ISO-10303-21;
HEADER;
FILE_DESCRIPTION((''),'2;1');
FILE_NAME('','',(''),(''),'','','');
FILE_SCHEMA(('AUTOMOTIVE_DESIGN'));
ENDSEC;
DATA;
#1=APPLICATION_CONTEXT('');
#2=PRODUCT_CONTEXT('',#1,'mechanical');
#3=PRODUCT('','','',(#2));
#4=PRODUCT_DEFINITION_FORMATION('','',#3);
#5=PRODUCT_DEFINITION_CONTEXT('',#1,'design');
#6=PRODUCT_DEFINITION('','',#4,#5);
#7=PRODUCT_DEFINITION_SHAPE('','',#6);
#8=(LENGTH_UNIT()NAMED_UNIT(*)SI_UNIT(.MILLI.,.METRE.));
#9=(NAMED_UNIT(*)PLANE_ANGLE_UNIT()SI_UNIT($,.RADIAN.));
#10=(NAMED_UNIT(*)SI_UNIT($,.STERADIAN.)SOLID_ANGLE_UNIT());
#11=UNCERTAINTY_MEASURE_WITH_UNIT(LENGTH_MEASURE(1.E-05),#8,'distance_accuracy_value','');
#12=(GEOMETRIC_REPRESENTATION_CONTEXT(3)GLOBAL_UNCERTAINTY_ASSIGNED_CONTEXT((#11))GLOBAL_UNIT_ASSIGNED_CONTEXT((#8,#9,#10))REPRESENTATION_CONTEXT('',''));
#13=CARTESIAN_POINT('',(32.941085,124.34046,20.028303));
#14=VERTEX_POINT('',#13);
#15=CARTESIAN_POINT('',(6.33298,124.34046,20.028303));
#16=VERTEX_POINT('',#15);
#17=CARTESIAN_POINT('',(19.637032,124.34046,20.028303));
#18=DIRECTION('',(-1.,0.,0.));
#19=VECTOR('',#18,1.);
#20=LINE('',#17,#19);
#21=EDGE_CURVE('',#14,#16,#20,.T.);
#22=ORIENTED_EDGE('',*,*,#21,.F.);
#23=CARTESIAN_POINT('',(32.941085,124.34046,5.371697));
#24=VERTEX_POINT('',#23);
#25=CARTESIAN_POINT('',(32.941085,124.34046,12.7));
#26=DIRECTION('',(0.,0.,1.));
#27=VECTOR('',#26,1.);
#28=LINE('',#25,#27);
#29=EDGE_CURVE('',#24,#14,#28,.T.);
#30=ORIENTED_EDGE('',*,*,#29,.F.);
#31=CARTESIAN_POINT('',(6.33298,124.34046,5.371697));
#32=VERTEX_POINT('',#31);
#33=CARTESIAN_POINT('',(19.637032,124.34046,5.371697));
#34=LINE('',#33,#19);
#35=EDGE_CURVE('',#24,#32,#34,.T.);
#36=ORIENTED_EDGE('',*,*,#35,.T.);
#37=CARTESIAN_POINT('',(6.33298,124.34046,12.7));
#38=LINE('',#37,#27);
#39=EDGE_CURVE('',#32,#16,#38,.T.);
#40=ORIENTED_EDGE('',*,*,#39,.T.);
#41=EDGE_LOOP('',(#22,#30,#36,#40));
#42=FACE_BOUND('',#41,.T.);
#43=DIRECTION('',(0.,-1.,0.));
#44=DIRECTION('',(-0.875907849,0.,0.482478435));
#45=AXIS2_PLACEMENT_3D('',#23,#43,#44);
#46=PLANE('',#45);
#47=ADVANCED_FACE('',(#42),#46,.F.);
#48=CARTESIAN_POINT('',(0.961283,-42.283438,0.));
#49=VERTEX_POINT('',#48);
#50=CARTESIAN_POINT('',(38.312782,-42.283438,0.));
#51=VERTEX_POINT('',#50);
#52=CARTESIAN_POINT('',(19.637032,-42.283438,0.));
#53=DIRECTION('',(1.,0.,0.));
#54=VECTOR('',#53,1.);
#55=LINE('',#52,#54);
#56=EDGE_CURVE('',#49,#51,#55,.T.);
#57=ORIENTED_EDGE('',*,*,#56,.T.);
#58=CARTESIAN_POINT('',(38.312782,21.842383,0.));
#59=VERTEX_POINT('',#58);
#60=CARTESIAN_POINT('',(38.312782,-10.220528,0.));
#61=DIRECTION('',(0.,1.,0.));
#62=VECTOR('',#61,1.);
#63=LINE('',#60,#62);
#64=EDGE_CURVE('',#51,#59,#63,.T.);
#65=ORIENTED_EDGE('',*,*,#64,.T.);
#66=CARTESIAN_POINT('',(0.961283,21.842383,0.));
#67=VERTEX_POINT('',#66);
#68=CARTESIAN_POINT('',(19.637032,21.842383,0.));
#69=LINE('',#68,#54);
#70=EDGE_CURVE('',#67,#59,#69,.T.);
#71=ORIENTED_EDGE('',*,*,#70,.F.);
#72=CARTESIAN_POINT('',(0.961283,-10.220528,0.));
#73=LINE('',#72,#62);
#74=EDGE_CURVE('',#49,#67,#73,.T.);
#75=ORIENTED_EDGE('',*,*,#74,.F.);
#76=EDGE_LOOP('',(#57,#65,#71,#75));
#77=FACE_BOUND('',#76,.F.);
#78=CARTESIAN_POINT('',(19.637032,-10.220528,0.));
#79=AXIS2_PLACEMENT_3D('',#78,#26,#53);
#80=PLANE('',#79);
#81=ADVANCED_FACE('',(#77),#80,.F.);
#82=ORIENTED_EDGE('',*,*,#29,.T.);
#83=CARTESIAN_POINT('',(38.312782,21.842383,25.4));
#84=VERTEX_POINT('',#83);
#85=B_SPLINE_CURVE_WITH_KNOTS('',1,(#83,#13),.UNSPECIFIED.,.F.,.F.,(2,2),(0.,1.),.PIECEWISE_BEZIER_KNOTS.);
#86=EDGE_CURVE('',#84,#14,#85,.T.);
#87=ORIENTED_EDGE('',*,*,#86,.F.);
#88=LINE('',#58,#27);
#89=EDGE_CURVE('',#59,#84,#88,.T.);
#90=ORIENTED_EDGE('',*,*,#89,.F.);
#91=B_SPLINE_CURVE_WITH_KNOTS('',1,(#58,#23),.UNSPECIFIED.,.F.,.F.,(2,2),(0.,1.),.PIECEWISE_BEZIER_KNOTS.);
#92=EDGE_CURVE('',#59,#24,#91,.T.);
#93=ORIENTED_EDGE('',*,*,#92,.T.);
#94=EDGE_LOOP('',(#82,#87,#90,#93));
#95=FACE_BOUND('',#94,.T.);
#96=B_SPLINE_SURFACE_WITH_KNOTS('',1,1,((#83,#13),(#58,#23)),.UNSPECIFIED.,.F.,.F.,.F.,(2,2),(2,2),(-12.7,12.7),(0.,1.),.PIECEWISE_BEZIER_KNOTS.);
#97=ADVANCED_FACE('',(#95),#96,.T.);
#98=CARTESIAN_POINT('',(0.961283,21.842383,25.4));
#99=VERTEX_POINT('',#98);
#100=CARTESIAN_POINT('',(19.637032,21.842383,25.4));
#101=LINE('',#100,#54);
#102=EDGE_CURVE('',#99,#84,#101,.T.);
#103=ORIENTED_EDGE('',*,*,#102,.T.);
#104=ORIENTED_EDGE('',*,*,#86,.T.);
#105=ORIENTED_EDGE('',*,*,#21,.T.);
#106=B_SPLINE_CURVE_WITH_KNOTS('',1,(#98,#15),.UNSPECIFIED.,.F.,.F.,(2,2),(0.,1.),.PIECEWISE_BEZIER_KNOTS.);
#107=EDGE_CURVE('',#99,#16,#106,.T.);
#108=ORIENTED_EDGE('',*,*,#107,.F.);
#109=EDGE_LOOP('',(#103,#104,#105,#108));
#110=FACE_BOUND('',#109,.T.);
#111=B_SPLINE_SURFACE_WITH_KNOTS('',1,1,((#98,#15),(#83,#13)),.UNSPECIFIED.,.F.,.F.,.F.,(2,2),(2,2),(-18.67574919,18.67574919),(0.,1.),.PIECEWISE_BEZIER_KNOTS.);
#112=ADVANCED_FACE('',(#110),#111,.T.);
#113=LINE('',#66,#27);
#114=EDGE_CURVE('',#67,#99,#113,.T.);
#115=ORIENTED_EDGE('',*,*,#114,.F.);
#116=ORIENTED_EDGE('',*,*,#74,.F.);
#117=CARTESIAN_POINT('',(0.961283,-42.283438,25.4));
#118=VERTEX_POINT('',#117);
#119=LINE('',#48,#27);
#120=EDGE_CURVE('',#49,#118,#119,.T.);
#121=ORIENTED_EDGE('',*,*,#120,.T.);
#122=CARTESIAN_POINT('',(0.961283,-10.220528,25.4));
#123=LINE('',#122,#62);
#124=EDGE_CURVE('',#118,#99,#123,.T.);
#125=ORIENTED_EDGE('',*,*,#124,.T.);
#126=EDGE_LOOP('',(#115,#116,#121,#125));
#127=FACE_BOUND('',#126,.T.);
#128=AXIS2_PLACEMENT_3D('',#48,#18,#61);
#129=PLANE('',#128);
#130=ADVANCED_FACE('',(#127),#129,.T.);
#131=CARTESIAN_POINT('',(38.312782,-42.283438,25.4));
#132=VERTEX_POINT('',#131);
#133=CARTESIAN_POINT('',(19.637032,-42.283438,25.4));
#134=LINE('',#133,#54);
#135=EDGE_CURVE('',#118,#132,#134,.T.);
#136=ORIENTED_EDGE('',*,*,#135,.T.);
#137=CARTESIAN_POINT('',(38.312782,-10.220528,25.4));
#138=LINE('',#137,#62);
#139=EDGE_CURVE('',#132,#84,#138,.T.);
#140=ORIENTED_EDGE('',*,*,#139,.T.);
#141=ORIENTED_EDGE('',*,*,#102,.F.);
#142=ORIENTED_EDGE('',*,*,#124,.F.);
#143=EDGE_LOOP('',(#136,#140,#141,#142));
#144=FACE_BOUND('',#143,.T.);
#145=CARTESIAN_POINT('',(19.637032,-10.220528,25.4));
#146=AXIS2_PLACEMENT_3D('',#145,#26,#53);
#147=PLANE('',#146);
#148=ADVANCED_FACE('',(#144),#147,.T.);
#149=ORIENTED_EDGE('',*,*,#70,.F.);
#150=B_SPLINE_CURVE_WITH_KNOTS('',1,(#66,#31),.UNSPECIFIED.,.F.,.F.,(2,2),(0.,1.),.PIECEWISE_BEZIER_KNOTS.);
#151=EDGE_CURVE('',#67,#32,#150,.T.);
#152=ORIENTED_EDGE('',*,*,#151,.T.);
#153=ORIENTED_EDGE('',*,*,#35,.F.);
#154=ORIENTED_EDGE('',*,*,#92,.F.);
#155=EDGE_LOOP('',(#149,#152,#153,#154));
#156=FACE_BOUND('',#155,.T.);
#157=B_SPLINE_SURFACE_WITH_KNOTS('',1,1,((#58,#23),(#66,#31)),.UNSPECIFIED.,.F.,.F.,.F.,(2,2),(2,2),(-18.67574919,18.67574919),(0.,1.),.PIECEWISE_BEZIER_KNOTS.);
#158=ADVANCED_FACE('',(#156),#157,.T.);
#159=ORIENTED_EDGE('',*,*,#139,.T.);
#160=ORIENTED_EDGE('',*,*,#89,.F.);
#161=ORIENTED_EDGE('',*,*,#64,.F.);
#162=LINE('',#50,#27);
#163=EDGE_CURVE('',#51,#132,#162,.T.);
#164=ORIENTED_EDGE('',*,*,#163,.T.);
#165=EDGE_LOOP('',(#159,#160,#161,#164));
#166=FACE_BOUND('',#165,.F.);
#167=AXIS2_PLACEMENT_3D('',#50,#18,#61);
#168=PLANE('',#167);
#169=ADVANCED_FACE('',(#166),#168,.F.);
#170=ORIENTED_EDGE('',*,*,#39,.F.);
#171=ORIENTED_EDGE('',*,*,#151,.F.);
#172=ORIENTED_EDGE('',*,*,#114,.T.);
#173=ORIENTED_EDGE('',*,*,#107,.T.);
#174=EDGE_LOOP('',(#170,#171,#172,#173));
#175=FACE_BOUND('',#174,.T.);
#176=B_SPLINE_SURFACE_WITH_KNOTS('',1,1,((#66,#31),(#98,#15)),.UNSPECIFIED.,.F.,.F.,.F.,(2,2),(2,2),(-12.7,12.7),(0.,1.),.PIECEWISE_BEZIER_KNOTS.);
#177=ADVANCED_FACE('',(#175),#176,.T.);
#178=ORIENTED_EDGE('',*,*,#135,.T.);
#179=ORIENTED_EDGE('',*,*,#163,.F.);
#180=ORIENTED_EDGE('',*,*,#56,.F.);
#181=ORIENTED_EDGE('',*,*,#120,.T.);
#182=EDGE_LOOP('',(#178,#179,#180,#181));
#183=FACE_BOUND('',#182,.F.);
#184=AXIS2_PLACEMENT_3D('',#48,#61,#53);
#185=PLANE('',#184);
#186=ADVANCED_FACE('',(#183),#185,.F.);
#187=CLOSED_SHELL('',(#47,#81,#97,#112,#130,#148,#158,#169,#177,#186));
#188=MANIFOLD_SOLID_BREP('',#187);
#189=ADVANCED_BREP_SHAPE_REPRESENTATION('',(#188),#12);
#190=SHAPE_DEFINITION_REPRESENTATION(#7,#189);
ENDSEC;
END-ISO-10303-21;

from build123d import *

# Parameters (mm, degrees)
F0_W      = 37.3514983803
F0_H      = 64.1258209944
F1_DEPTH  = 25.4
F1_FACE_W = 37.3514983803
F1_FACE_H = 25.4
F2_DEPTH  = 102.4980768561
F2_TAPER  = 3


with BuildPart() as f1:
    # F0 (on Top) → F1 (new body)
    with BuildSketch(Plane.XY):
        with Locations((19.637032412, -10.2205276489)):
            Rectangle(F0_W, F0_H)
    extrude(amount=F1_DEPTH)

    # F1_face (on face) → F2 (join)
    with BuildSketch(Plane(origin=(19.637032412, 21.8423828483, 12.7), x_dir=(-1, 0, 0), z_dir=(0, 1, 0))):
        Rectangle(F1_FACE_W, F1_FACE_H)
    extrude(amount=F2_DEPTH, taper=F2_TAPER)


solid = f1.part
